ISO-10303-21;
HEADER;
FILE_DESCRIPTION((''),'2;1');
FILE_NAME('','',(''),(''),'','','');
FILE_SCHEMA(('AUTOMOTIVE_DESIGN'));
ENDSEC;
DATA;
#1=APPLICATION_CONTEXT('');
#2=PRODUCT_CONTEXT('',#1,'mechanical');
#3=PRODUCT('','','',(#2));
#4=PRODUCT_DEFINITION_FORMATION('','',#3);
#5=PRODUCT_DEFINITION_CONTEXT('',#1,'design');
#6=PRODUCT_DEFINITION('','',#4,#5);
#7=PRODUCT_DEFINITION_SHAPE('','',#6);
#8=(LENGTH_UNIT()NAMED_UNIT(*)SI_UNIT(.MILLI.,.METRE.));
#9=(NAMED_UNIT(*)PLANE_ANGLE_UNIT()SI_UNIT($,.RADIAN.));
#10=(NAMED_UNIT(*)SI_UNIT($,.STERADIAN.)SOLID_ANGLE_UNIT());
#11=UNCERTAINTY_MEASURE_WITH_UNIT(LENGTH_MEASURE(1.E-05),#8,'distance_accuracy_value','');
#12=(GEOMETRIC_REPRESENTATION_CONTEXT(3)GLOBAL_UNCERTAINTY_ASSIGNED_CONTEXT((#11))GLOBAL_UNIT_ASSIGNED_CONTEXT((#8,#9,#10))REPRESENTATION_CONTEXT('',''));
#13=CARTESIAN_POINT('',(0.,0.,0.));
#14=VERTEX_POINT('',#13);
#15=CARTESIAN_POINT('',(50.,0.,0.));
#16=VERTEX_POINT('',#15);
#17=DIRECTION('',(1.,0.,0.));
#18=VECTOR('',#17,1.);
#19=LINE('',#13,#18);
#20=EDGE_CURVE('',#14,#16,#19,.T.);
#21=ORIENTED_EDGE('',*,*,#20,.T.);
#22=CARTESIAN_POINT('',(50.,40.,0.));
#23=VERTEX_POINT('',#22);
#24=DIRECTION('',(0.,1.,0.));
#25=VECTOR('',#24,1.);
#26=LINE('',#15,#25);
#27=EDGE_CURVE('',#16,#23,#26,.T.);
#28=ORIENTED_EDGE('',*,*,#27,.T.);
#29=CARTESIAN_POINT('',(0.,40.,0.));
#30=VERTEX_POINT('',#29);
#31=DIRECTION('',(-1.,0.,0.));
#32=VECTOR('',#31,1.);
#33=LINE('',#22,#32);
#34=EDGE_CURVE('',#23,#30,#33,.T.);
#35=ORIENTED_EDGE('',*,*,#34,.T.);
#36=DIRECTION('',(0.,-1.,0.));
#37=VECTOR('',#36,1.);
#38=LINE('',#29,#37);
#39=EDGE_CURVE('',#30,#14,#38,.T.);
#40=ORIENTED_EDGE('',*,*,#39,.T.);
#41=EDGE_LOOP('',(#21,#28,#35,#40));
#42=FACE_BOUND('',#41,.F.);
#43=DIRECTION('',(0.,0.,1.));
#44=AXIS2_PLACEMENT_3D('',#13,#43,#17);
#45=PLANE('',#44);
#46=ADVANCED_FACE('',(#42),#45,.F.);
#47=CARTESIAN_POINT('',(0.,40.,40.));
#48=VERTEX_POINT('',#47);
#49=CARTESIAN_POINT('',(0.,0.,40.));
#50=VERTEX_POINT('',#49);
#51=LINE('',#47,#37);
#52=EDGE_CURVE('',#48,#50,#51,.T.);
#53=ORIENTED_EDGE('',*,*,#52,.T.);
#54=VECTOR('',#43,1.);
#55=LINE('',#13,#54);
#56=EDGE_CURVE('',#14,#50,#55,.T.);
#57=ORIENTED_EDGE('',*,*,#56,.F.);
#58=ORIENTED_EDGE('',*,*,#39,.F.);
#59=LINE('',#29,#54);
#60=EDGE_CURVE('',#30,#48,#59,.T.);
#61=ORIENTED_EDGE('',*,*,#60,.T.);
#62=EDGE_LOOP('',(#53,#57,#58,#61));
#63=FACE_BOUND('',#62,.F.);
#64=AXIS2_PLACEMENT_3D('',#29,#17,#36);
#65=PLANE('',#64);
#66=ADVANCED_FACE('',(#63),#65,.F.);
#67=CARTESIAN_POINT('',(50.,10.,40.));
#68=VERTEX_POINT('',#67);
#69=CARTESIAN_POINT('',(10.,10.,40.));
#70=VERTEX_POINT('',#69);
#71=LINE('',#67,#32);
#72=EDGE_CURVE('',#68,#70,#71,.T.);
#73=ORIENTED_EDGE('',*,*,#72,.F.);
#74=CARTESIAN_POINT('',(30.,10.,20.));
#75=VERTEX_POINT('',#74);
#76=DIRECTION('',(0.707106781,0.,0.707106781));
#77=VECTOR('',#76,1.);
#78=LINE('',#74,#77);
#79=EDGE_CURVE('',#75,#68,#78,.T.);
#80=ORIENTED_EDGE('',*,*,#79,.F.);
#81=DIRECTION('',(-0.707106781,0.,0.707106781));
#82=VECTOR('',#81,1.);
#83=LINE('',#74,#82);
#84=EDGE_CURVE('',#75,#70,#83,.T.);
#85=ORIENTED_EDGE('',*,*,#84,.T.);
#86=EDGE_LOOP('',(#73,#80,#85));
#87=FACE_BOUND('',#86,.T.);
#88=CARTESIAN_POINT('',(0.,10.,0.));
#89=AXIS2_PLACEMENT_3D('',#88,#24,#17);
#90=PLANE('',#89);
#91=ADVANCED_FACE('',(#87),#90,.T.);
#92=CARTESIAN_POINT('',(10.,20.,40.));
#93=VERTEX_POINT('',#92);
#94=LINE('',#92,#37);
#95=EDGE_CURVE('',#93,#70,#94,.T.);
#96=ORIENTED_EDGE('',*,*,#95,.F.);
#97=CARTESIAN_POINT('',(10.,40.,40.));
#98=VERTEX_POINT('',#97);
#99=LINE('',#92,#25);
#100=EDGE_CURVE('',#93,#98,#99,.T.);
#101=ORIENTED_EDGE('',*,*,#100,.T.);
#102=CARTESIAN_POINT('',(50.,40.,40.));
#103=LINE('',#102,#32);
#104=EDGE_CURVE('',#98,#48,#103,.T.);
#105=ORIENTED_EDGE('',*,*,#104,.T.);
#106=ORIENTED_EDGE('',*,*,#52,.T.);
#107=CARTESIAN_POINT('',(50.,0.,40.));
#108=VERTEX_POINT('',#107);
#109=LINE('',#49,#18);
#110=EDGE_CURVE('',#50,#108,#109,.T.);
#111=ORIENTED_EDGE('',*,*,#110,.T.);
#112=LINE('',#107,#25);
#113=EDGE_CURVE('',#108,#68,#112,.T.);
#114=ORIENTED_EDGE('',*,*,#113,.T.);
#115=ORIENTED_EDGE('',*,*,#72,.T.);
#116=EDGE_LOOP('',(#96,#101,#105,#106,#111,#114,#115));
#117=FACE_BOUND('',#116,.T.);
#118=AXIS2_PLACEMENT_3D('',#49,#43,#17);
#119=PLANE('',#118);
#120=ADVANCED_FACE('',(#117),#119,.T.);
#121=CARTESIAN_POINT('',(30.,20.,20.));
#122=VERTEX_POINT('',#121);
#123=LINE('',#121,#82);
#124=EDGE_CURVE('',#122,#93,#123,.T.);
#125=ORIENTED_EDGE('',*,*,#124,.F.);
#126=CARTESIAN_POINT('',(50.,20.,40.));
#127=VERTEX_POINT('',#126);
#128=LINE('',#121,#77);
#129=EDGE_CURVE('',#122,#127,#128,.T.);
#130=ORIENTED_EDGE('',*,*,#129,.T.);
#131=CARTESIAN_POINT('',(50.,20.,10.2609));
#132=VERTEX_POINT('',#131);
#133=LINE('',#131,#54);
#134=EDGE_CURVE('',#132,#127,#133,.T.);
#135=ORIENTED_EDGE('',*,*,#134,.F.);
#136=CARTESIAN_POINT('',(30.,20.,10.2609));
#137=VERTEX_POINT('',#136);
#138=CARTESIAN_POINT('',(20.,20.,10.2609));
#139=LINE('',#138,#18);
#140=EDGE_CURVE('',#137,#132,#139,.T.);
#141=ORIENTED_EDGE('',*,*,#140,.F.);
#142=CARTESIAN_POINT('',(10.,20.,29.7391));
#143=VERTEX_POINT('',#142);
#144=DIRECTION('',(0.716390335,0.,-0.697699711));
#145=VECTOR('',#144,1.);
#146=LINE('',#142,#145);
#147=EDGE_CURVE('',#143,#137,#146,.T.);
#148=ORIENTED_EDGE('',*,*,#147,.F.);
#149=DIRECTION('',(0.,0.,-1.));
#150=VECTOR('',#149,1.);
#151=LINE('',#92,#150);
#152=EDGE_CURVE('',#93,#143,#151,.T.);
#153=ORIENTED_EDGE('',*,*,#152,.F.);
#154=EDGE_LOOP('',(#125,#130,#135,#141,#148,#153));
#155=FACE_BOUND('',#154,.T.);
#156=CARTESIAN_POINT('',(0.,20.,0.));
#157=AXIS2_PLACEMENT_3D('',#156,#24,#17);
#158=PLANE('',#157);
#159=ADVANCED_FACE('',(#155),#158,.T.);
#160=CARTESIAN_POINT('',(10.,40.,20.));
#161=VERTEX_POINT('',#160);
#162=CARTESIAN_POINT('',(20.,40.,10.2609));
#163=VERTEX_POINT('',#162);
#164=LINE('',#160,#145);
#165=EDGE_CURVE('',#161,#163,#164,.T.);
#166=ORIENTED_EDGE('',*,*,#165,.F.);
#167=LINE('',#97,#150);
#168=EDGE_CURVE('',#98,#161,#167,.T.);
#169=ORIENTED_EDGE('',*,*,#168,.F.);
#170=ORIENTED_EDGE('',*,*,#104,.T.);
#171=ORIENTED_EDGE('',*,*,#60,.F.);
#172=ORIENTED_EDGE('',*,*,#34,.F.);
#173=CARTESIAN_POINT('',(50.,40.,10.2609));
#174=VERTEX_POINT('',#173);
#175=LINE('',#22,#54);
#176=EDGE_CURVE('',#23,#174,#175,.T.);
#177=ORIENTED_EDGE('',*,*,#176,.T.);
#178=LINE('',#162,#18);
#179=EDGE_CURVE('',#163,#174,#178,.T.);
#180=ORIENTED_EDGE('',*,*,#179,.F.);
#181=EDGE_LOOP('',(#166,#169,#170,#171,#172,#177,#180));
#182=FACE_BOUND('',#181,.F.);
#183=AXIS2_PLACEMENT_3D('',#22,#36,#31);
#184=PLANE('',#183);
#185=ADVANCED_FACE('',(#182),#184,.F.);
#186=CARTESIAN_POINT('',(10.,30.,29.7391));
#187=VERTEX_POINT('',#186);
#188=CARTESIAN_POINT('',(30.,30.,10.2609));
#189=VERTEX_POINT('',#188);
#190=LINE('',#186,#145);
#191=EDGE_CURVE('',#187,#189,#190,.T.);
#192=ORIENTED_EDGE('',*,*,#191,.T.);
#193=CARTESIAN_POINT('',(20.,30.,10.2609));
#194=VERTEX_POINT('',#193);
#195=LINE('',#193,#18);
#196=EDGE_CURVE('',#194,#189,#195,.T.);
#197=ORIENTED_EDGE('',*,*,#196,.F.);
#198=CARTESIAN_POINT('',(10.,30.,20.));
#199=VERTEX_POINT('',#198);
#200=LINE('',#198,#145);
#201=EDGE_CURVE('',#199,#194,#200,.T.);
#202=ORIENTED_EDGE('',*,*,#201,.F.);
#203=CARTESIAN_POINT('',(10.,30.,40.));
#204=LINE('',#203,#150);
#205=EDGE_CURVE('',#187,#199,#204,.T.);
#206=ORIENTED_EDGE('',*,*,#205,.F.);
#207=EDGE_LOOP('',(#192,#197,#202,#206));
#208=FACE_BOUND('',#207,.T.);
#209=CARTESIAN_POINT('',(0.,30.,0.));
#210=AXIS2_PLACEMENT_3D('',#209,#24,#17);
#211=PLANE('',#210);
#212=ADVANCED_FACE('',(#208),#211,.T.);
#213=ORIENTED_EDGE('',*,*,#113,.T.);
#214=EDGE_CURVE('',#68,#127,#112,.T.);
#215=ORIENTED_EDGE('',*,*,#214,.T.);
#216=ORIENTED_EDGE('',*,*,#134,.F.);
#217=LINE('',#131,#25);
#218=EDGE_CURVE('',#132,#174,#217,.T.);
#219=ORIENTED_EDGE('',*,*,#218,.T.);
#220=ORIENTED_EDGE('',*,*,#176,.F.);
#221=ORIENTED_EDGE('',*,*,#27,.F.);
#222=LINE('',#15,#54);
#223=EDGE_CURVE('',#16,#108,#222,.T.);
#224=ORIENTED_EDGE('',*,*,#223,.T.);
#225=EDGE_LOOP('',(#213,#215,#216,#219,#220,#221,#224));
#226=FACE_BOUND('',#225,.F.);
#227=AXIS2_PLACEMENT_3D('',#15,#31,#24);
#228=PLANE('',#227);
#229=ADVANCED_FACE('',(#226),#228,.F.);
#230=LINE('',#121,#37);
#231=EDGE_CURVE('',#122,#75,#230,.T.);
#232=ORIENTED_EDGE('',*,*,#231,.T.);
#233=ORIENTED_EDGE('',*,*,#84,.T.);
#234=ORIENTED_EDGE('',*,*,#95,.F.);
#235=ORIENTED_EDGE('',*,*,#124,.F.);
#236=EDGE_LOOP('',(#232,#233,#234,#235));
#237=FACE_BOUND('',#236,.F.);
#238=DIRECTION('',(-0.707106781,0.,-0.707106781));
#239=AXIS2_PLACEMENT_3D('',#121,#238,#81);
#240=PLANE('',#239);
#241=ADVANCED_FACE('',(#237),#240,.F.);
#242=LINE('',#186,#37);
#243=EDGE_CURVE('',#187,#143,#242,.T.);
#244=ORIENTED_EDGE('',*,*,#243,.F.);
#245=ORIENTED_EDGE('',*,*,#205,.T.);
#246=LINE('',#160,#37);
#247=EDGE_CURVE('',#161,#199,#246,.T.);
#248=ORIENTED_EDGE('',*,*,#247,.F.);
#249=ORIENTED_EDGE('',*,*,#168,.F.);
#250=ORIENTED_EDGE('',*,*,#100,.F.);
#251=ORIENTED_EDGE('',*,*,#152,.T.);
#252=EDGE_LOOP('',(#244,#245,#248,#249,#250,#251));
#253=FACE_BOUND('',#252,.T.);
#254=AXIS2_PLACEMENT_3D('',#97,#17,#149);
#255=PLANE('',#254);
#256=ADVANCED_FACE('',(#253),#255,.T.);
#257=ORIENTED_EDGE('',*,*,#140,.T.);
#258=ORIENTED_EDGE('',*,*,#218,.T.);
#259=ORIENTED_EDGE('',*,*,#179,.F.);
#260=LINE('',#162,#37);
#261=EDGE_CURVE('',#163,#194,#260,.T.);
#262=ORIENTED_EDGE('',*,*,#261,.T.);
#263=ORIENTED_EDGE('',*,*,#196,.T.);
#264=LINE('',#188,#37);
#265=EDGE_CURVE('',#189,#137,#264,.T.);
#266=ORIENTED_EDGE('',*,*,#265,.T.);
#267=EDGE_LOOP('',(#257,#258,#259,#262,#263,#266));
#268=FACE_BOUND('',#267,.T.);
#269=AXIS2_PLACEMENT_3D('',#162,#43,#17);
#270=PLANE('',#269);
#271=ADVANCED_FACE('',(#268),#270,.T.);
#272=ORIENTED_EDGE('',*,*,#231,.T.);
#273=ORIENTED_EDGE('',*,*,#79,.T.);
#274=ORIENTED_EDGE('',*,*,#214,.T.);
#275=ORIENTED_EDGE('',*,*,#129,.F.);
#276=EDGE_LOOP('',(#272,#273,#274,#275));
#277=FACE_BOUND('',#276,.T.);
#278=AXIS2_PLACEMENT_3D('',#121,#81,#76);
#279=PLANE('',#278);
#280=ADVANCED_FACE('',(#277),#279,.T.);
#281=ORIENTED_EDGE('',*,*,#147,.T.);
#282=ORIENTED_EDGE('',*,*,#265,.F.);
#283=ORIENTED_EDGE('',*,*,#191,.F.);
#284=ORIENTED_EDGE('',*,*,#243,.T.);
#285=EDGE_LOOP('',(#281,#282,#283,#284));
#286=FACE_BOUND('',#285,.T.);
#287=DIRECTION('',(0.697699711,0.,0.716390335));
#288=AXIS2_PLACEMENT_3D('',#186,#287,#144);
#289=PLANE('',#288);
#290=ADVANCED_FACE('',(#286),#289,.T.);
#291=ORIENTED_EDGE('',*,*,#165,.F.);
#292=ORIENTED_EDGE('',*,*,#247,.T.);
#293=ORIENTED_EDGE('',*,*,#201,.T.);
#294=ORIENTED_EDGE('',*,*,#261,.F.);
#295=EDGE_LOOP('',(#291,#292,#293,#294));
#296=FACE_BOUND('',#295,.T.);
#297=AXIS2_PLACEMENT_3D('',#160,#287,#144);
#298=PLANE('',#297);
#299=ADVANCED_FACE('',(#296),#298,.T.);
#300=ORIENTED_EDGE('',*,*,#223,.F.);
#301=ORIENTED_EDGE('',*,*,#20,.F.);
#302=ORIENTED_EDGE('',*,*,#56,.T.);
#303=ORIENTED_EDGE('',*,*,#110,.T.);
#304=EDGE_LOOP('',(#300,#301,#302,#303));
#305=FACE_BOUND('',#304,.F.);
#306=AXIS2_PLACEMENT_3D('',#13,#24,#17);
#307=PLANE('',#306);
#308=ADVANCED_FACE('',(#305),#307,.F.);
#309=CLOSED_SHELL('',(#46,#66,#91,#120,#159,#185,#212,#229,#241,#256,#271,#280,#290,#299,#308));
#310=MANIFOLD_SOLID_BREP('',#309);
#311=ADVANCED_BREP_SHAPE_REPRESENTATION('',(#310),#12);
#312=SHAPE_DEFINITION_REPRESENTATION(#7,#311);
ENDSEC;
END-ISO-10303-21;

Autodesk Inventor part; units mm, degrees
ref_plane "YZ Plane" through (0, 0, 0) normal (1, 0, 0) x (0, 1, 0)
ref_plane "XZ Plane" through (0, 0, 0) normal (0, 1, 0) x (-1, 0, 0)
ref_plane "XY Plane" through (0, 0, 0) normal (0, 0, 1) x (1, 0, 0)
sketch "草圖1" plane through (0, 0, 0) normal (0, 0, 1) x (1, 0, 0)
  line L0 (0, 0) -> (50, 0)
  line L1 (50, 0) -> (50, 40)
  line L2 (50, 40) -> (0, 40)
  line L3 (0, 40) -> (0, 0)
  dimension "d0" = 50
  dimension "d1" = 40
extrude "擠出1" add sketch "草圖1" along normal blind 40
sketch "草圖2" plane through (0, 40, 0) normal (0, 1, 0) x (1, 0, 0)
  line L0 (50, 0) -> (0, 0) projected
  line L1 (0, 0) -> (0, -40) projected
  line L2 (50, -40) -> (0, -40) projected
  line L3 (50, 0) -> (50, -40) projected
  line L4 (10, -40) -> (10, -20)
  line L5 (10, -20) -> (20, -10.2609)
  line L6 (20, -10.2609) -> (50, -10.2609)
  line L7 (50, 0) -> (50, -40) projected
  point P0 (0, 0)
  dimension "d4" = 10
  dimension "d5" = 10.2608
  dimension "d6" = 30
  dimension "d7" = 20
extrude "擠出2" cut sketch "草圖2" against normal blind 10 contours L3 L2 L4 L5 L6
sketch "草圖3" plane through (0, 30, 0) normal (0, 1, 0) x (1, 0, 0)
  line L0 (50, -10.2609) -> (50, -40) projected
  line L1 (20, -10.2609) -> (50, -10.2609) projected
  line L2 (10, -20) -> (20, -10.2609) projected
  line L3 (10, -40) -> (10, -20) projected
  line L4 (50, -40) -> (10, -40) projected
  line L5 (10, -29.7391) -> (30, -10.2609)
  point P0 (0, 0)
  dimension "d10" = 10
extrude "擠出3" cut sketch "草圖3" against normal blind 10 contours L0 L4 L3 L5 L1
sketch "草圖4" plane through (0, 20, 0) normal (0, 1, 0) x (1, 0, 0)
  line L0 (50, -10.2609) -> (50, -40) projected
  line L1 (30, -10.2609) -> (50, -10.2609) projected
  line L2 (10, -29.7391) -> (30, -10.2609) projected
  line L3 (10, -40) -> (10, -29.7391) projected
  line L4 (50, -40) -> (10, -40) projected
  line L5 (0, -40) -> (50, -40) projected
  line L6 (30, -20) -> (50, -40)
  line L7 (30, -20) -> (10, -40)
  point P0 (0, 0)
  dimension "d15" = 20
extrude "擠出4" cut sketch "草圖4" against normal blind 10 contours L4 L7 L6
